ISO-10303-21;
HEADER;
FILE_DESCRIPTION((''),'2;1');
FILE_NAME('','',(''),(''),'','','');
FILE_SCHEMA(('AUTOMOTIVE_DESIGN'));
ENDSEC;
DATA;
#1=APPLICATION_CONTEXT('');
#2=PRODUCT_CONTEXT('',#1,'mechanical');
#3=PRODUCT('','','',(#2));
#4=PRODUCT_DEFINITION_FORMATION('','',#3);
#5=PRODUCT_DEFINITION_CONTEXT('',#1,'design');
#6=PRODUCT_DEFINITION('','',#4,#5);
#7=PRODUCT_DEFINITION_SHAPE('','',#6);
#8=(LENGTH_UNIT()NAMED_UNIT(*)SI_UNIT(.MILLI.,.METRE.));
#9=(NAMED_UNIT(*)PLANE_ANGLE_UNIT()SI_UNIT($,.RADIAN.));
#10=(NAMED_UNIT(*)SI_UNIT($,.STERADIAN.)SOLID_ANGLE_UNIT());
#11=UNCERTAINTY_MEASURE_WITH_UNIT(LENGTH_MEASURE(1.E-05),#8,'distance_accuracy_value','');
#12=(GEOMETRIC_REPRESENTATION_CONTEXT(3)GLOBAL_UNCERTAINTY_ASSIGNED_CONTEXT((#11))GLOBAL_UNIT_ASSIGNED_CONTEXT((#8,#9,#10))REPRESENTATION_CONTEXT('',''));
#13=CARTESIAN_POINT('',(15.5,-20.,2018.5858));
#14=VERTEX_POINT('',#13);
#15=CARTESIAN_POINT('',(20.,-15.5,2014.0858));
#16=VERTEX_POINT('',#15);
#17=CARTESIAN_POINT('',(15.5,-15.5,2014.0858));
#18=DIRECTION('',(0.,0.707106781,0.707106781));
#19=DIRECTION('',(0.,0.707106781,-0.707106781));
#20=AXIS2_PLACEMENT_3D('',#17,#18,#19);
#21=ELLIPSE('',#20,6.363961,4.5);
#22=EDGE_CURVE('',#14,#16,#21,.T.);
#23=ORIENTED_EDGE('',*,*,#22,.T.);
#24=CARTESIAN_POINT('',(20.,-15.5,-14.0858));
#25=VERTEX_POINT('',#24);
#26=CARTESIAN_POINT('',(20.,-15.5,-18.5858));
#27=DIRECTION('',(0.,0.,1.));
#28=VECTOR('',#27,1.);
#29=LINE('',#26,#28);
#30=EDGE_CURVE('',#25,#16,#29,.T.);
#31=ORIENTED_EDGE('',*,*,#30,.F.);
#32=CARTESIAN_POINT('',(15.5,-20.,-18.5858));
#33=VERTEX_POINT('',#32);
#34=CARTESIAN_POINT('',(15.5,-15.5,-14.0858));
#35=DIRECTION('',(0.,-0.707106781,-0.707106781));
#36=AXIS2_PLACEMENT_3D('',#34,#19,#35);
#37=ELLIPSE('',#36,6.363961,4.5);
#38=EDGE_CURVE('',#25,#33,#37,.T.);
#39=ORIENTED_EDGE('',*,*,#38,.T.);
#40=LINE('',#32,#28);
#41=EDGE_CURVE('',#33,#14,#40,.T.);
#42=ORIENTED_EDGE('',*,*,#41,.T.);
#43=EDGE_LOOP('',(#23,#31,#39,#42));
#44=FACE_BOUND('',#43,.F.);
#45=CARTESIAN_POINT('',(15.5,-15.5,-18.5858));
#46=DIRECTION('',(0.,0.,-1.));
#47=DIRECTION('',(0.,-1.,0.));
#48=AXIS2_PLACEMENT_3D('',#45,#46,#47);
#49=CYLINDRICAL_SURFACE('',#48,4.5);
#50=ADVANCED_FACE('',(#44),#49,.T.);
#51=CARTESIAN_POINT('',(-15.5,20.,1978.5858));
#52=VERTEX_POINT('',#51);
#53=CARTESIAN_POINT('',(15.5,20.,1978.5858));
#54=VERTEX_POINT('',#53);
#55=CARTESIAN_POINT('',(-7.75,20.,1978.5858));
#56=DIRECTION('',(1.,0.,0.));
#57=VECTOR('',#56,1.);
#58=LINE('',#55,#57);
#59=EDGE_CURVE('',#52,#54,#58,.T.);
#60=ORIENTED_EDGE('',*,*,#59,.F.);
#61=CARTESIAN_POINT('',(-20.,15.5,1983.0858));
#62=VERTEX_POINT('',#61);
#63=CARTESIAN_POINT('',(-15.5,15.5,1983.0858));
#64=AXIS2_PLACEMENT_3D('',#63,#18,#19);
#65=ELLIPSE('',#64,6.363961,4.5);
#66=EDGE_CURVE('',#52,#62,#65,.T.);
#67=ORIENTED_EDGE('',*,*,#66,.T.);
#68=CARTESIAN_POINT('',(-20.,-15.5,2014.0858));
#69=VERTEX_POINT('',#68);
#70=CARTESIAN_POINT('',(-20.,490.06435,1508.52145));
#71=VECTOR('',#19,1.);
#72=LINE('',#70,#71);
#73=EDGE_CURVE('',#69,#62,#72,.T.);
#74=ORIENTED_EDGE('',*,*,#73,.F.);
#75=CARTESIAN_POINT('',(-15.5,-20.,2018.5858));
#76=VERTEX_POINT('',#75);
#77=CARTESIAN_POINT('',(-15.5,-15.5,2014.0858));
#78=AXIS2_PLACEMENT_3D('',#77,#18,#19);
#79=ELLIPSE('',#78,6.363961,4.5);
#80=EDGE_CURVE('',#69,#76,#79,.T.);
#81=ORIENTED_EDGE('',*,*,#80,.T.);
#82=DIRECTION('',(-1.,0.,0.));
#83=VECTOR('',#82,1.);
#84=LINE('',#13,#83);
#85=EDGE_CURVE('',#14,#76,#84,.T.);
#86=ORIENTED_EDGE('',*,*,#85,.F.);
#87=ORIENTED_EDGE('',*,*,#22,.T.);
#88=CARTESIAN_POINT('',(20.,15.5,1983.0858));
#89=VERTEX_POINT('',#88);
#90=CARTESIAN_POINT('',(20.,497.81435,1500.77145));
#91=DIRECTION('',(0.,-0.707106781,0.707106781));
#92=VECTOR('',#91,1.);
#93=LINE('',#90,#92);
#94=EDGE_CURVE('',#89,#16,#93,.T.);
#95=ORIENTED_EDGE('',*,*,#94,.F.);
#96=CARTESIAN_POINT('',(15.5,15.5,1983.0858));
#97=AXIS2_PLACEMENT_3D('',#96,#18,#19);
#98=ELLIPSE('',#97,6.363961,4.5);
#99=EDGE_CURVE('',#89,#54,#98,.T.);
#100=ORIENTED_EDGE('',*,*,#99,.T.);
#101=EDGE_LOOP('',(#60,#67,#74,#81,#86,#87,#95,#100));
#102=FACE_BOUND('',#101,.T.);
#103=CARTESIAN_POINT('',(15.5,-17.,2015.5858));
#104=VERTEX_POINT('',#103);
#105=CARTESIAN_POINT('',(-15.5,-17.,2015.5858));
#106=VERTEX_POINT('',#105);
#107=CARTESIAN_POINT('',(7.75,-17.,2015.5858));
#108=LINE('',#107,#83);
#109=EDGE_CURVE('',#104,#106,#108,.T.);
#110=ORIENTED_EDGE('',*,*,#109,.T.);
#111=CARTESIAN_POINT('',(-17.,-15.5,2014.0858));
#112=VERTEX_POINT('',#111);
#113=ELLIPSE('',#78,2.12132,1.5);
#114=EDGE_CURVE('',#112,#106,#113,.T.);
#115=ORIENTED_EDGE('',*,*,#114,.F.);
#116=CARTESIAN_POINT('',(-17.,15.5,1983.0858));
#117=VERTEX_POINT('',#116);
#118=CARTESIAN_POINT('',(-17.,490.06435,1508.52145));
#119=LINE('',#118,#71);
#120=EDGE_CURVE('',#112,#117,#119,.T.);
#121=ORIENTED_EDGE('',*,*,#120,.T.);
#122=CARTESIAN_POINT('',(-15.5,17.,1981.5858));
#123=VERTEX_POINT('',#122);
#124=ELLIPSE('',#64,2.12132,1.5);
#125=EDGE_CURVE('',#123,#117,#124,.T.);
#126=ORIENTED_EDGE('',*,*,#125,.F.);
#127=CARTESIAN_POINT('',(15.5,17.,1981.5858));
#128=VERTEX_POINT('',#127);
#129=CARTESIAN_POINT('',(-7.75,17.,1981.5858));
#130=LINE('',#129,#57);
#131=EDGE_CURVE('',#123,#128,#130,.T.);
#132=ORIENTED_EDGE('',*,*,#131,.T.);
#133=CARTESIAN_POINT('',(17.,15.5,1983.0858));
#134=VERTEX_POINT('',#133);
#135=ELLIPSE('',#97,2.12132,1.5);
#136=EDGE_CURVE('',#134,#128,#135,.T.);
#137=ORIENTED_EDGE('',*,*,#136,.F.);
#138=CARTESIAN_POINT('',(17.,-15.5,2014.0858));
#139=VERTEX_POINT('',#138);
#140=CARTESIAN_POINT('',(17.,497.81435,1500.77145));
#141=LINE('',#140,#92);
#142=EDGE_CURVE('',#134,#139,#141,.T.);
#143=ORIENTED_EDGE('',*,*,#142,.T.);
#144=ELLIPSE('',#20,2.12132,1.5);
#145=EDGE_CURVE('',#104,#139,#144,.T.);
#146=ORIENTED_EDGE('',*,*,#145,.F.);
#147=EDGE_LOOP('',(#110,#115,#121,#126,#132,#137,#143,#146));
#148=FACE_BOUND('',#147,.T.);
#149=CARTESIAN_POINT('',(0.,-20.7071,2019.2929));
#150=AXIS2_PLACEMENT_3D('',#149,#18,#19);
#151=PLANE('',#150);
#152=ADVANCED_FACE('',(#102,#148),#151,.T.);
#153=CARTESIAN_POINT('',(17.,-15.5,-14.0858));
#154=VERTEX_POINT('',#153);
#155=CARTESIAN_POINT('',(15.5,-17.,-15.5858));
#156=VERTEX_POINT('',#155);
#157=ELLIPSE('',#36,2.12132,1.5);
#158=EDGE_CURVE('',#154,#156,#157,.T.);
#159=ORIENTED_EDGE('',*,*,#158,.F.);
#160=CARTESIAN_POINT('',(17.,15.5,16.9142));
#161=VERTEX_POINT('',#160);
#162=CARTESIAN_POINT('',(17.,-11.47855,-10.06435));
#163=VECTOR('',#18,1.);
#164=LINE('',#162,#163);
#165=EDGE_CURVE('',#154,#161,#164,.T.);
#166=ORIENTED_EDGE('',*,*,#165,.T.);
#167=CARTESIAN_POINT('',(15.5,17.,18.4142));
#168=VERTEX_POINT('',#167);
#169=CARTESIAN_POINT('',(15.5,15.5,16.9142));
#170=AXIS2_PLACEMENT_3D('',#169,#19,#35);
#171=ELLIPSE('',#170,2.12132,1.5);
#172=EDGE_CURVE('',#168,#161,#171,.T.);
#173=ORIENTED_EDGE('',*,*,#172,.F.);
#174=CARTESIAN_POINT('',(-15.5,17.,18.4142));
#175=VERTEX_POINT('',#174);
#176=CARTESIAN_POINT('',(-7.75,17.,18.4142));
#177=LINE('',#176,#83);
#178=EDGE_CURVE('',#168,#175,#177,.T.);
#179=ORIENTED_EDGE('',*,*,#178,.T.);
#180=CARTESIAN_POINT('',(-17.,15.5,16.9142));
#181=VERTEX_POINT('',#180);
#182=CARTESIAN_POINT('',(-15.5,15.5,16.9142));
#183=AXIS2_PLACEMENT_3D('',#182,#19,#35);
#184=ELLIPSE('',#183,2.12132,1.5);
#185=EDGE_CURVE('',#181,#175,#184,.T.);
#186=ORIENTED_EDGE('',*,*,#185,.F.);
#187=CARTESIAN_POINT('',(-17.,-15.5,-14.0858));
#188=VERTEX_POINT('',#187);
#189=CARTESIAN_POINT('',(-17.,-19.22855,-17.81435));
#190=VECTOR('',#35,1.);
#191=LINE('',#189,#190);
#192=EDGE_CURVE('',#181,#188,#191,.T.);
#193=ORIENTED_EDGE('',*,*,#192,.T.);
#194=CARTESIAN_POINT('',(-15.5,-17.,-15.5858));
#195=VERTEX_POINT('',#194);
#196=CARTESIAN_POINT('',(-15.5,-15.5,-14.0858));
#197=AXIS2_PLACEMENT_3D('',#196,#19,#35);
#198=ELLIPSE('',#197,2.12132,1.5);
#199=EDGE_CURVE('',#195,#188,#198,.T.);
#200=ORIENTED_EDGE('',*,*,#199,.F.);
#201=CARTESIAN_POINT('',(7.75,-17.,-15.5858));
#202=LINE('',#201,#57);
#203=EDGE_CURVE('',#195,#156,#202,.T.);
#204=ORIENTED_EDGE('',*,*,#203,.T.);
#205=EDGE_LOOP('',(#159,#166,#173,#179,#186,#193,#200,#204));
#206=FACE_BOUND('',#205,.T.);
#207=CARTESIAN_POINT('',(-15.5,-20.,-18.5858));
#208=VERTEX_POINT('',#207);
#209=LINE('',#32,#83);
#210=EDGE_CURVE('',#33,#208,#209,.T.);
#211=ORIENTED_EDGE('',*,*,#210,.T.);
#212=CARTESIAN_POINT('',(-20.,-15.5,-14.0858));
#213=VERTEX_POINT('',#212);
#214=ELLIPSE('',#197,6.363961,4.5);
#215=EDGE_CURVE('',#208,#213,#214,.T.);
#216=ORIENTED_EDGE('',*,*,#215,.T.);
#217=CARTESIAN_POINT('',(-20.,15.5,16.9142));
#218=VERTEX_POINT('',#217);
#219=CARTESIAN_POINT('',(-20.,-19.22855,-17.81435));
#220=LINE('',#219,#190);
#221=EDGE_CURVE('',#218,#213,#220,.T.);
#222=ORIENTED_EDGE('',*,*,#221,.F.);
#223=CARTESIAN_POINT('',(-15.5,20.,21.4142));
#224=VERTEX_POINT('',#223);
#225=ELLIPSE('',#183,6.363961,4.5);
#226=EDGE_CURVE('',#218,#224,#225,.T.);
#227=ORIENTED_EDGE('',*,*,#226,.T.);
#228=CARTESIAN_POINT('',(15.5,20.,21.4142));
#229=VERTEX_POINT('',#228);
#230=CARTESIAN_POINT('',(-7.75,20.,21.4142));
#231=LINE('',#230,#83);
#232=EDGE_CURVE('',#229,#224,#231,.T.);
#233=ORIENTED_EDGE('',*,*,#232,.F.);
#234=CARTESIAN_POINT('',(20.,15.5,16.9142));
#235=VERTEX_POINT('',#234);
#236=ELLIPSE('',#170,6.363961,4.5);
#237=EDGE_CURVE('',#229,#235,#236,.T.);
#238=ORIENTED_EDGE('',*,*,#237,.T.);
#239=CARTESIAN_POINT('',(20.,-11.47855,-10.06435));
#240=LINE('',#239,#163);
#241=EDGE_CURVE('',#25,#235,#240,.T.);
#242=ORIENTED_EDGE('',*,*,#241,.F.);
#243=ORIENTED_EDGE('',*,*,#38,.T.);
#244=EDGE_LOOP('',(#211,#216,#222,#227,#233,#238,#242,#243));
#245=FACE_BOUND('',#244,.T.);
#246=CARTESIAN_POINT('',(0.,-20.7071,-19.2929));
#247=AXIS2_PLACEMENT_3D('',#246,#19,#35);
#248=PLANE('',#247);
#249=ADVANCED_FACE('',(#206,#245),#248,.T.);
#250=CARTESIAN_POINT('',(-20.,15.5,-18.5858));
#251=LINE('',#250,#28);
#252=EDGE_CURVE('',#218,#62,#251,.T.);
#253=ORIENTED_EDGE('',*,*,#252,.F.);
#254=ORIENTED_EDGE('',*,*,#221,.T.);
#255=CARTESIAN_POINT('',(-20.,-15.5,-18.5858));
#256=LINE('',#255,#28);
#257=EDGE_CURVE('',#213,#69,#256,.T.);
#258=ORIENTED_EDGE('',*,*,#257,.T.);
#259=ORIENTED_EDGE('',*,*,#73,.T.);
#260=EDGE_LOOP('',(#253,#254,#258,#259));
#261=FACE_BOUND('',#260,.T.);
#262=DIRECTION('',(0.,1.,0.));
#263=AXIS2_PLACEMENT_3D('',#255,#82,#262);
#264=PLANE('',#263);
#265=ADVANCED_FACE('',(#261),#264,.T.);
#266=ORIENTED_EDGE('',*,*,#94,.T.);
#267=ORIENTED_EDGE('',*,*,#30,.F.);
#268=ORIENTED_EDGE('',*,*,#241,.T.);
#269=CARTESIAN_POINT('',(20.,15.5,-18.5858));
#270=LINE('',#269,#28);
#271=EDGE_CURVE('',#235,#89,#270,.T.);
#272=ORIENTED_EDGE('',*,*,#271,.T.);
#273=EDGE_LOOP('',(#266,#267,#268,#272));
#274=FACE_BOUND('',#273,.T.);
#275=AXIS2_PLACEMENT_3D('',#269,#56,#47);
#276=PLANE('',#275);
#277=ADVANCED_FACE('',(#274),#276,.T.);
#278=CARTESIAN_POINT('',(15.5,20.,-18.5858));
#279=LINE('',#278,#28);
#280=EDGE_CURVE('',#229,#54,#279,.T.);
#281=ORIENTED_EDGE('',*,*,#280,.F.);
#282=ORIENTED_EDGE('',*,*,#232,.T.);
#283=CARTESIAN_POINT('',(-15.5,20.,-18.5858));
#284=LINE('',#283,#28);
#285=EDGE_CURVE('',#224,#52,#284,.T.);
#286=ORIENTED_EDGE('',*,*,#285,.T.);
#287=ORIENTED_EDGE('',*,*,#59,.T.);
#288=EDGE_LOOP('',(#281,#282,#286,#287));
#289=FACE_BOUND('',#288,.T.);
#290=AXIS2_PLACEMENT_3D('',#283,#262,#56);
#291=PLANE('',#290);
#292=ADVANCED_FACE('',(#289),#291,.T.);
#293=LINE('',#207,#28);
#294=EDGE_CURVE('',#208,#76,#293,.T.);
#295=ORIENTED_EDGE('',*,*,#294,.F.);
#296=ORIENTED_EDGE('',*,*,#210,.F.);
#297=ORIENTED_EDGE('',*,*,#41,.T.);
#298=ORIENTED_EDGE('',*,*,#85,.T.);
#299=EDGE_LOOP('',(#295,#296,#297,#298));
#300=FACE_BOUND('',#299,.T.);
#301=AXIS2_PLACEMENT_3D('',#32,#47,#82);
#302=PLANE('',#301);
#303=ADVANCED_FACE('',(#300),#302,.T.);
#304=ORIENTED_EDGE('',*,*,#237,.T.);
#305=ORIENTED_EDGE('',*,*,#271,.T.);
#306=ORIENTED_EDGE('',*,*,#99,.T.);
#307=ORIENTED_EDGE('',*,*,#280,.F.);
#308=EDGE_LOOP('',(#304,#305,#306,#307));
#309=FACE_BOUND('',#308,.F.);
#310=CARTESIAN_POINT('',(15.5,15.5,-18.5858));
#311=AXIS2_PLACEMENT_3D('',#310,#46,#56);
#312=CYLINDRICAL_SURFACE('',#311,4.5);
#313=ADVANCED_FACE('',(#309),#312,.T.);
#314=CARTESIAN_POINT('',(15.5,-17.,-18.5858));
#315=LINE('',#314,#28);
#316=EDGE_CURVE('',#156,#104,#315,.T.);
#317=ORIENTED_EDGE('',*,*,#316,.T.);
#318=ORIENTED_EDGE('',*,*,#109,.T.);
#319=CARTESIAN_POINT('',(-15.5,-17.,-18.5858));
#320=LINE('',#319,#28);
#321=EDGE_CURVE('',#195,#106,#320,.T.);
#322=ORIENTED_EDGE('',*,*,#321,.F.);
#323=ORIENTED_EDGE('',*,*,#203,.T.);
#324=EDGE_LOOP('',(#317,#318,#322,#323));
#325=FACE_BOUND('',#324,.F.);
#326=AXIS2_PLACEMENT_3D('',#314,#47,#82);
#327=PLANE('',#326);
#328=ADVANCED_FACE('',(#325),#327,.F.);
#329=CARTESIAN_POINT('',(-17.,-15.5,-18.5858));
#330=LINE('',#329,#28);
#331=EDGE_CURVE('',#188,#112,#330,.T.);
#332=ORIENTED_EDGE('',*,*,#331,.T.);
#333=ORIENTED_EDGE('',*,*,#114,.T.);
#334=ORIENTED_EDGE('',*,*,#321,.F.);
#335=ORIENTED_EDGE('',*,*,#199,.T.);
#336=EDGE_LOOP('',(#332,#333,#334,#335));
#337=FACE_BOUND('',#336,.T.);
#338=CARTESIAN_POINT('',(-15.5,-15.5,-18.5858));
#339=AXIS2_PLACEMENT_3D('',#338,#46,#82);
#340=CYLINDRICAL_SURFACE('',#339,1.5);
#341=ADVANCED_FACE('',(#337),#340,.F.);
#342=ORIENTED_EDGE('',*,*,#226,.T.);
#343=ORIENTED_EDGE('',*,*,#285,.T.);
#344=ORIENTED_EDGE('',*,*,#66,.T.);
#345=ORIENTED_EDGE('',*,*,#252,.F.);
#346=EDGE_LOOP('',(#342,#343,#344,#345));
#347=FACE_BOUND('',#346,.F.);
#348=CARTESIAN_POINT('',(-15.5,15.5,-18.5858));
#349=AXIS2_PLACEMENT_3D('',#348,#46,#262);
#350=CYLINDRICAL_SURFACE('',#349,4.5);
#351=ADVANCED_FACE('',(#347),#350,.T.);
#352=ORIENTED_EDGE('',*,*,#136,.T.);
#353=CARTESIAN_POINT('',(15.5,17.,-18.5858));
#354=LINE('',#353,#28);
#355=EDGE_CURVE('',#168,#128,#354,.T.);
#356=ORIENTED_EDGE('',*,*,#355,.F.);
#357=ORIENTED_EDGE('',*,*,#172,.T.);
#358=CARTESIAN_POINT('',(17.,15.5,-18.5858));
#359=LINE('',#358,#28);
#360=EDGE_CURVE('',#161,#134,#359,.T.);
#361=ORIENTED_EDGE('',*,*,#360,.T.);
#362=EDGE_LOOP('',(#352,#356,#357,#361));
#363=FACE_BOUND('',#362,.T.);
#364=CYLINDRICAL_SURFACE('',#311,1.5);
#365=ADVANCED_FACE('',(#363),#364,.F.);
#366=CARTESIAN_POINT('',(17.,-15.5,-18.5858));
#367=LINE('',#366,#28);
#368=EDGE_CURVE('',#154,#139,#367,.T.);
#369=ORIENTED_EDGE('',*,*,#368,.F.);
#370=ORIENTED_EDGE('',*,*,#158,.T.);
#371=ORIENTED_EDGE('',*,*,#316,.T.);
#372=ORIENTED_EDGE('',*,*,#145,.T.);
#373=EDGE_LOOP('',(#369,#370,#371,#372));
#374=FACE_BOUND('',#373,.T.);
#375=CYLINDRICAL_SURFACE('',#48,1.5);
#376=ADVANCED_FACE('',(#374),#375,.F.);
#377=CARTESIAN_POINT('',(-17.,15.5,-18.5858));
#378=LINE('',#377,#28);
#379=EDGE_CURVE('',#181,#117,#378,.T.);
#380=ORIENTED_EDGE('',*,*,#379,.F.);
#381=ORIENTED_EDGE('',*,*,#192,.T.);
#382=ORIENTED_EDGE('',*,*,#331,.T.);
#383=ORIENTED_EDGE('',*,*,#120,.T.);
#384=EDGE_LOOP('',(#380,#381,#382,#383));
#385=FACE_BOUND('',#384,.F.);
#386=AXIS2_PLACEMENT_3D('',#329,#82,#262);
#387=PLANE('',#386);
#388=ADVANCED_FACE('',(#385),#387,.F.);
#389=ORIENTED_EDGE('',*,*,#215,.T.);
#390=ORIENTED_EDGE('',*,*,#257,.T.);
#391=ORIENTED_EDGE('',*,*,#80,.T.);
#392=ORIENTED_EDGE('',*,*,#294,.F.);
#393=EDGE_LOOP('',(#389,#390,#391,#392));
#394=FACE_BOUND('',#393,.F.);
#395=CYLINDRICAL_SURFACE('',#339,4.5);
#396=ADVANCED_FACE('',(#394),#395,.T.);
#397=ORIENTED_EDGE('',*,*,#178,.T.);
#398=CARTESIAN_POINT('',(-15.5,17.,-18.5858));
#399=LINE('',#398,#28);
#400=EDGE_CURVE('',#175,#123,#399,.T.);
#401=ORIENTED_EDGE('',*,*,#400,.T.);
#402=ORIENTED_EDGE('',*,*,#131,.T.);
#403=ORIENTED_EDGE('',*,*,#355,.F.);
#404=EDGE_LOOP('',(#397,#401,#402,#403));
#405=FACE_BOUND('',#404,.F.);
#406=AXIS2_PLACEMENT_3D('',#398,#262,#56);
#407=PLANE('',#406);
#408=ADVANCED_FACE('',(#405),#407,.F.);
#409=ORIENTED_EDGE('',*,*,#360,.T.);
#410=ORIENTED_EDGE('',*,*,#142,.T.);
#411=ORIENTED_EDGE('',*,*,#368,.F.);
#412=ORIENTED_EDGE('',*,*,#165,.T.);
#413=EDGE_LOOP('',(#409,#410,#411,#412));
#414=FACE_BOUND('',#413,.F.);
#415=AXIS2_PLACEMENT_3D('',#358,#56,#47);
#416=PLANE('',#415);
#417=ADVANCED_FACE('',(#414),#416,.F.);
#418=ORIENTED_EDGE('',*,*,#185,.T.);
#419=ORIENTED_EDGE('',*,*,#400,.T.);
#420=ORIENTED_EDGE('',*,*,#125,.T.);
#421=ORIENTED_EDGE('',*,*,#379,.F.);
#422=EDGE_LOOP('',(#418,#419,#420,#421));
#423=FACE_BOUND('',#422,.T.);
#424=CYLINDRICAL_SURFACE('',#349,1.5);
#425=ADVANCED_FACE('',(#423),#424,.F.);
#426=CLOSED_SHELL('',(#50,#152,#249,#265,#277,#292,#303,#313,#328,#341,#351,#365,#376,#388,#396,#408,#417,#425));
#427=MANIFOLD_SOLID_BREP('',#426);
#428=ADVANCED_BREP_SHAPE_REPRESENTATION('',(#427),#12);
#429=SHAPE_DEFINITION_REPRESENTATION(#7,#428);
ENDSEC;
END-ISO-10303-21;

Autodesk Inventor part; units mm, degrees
ref_plane "Start Plane" through (0, 0, -18.5858) normal (0, 0, 1) x (1, 0, 0)
ref_plane "End Plane" through (0, 0, 2018.5858) normal (0, 0, 1) x (1, 0, 0)
sketch "Sketch" plane through (0, 0, 0) normal (0, 0, 1) x (1, 0, 0)
  line L0 (-20, -15.5) -> (-20, 15.5)
  line L1 (-15.5, 20) -> (15.5, 20)
  line L2 (20, 15.5) -> (20, -15.5)
  line L3 (15.5, -20) -> (-15.5, -20)
  arc A0 (-20, -15.5) -> (-15.5, -20) centre (-15.5, -15.5) ccw
  arc A1 (-15.5, 20) -> (-20, 15.5) centre (-15.5, 15.5) ccw
  arc A2 (20, 15.5) -> (15.5, 20) centre (15.5, 15.5) ccw
  arc A3 (15.5, -20) -> (20, -15.5) centre (15.5, -15.5) ccw
  arc A4 (-15.5, 17) -> (-17, 15.5) centre (-15.5, 15.5) ccw
  line L4 (-15.5, 17) -> (15.5, 17)
  arc A5 (17, 15.5) -> (15.5, 17) centre (15.5, 15.5) ccw
  line L5 (17, 15.5) -> (17, -15.5)
  arc A6 (15.5, -17) -> (17, -15.5) centre (15.5, -15.5) ccw
  line L6 (15.5, -17) -> (-15.5, -17)
  arc A7 (-17, -15.5) -> (-15.5, -17) centre (-15.5, -15.5) ccw
  line L7 (-17, -15.5) -> (-17, 15.5)
  line L8 (0, 29.3048) -> (0, -29.3048) construction
  line L9 (-29.3048, 0) -> (29.3048, 0) construction
  dimension "d7" = 4.5
  dimension "d10" = 40
  dimension "d11" = 40
  dimension "d12" = 3
  dimension "d15" = 20
  dimension "d16" = 20
extrude "Body" add sketch "Sketch" along normal up to surface (2037.1716 mm away) from surface at -18.5858
sketch "Sketch3" plane through (0, 0, 0) normal (0, 0, 1) x (1, 0, 0)
  line L0 (0, 0) -> (10, 0)
ref_plane "Work Plane3" through (0, 0, 0) normal (0, -1, 0) x (1, 0, 0)
ref_plane "Work Plane5" through (0, -20.7071, 2019.2929) normal (0, 0.7071, 0.7071) x (1, 0, 0)
split "Split2" plane through (0, -20.7071, 2019.2929) removes the side toward (0, 0.7071, 0.7071)
ref_plane "Work Plane6" through (0, -20.7071, -19.2929) normal (0, 0.7071, -0.7071) x (1, 0, 0)
split "Split3" plane through (0, -20.7071, -19.2929) removes the side toward (0, 0.7071, -0.7071)
sketch "Sketch4" plane through (0, 0, 0) normal (0, -1, 0) x (1, 0, 0)
  line L0 (-2, -18.5858) -> (12, -18.5858) projected
  line L1 (-2, 2018.5858) -> (12, 2018.5858) projected
  dimension "d18" = 2037.1716
equation "\"d7\" = G_IR"
equation "\"d10\" = G_H"
equation "\"d11\" = G_W"
equation "\"d12\" = G_T"
equation "\"d15\" = 0.5 * d10"
equation "\"d16\" = 0.5 * d11"
equation "\"d3\" = G_L"
equation "\"G_W\" = 40"
equation "\"G_H\" = 40"
equation "\"G_T\" = 3"
equation "\"G_IR\" = 4.5"
equation "\"G_L\" = d18"
equation "\"G_OFFSET_START\" = 18.58579"
equation "\"G_OFFSET_END\" = 18.58579"
equation "\"d13\" = -G_OFFSET_START"
equation "\"d14\" = G_OFFSET_END + B_L"
equation "\"B_L\" = 2000"
properties part number "ISO 12633-2 - 40x40x3 - 2037,17" material "Steel, Mild"
